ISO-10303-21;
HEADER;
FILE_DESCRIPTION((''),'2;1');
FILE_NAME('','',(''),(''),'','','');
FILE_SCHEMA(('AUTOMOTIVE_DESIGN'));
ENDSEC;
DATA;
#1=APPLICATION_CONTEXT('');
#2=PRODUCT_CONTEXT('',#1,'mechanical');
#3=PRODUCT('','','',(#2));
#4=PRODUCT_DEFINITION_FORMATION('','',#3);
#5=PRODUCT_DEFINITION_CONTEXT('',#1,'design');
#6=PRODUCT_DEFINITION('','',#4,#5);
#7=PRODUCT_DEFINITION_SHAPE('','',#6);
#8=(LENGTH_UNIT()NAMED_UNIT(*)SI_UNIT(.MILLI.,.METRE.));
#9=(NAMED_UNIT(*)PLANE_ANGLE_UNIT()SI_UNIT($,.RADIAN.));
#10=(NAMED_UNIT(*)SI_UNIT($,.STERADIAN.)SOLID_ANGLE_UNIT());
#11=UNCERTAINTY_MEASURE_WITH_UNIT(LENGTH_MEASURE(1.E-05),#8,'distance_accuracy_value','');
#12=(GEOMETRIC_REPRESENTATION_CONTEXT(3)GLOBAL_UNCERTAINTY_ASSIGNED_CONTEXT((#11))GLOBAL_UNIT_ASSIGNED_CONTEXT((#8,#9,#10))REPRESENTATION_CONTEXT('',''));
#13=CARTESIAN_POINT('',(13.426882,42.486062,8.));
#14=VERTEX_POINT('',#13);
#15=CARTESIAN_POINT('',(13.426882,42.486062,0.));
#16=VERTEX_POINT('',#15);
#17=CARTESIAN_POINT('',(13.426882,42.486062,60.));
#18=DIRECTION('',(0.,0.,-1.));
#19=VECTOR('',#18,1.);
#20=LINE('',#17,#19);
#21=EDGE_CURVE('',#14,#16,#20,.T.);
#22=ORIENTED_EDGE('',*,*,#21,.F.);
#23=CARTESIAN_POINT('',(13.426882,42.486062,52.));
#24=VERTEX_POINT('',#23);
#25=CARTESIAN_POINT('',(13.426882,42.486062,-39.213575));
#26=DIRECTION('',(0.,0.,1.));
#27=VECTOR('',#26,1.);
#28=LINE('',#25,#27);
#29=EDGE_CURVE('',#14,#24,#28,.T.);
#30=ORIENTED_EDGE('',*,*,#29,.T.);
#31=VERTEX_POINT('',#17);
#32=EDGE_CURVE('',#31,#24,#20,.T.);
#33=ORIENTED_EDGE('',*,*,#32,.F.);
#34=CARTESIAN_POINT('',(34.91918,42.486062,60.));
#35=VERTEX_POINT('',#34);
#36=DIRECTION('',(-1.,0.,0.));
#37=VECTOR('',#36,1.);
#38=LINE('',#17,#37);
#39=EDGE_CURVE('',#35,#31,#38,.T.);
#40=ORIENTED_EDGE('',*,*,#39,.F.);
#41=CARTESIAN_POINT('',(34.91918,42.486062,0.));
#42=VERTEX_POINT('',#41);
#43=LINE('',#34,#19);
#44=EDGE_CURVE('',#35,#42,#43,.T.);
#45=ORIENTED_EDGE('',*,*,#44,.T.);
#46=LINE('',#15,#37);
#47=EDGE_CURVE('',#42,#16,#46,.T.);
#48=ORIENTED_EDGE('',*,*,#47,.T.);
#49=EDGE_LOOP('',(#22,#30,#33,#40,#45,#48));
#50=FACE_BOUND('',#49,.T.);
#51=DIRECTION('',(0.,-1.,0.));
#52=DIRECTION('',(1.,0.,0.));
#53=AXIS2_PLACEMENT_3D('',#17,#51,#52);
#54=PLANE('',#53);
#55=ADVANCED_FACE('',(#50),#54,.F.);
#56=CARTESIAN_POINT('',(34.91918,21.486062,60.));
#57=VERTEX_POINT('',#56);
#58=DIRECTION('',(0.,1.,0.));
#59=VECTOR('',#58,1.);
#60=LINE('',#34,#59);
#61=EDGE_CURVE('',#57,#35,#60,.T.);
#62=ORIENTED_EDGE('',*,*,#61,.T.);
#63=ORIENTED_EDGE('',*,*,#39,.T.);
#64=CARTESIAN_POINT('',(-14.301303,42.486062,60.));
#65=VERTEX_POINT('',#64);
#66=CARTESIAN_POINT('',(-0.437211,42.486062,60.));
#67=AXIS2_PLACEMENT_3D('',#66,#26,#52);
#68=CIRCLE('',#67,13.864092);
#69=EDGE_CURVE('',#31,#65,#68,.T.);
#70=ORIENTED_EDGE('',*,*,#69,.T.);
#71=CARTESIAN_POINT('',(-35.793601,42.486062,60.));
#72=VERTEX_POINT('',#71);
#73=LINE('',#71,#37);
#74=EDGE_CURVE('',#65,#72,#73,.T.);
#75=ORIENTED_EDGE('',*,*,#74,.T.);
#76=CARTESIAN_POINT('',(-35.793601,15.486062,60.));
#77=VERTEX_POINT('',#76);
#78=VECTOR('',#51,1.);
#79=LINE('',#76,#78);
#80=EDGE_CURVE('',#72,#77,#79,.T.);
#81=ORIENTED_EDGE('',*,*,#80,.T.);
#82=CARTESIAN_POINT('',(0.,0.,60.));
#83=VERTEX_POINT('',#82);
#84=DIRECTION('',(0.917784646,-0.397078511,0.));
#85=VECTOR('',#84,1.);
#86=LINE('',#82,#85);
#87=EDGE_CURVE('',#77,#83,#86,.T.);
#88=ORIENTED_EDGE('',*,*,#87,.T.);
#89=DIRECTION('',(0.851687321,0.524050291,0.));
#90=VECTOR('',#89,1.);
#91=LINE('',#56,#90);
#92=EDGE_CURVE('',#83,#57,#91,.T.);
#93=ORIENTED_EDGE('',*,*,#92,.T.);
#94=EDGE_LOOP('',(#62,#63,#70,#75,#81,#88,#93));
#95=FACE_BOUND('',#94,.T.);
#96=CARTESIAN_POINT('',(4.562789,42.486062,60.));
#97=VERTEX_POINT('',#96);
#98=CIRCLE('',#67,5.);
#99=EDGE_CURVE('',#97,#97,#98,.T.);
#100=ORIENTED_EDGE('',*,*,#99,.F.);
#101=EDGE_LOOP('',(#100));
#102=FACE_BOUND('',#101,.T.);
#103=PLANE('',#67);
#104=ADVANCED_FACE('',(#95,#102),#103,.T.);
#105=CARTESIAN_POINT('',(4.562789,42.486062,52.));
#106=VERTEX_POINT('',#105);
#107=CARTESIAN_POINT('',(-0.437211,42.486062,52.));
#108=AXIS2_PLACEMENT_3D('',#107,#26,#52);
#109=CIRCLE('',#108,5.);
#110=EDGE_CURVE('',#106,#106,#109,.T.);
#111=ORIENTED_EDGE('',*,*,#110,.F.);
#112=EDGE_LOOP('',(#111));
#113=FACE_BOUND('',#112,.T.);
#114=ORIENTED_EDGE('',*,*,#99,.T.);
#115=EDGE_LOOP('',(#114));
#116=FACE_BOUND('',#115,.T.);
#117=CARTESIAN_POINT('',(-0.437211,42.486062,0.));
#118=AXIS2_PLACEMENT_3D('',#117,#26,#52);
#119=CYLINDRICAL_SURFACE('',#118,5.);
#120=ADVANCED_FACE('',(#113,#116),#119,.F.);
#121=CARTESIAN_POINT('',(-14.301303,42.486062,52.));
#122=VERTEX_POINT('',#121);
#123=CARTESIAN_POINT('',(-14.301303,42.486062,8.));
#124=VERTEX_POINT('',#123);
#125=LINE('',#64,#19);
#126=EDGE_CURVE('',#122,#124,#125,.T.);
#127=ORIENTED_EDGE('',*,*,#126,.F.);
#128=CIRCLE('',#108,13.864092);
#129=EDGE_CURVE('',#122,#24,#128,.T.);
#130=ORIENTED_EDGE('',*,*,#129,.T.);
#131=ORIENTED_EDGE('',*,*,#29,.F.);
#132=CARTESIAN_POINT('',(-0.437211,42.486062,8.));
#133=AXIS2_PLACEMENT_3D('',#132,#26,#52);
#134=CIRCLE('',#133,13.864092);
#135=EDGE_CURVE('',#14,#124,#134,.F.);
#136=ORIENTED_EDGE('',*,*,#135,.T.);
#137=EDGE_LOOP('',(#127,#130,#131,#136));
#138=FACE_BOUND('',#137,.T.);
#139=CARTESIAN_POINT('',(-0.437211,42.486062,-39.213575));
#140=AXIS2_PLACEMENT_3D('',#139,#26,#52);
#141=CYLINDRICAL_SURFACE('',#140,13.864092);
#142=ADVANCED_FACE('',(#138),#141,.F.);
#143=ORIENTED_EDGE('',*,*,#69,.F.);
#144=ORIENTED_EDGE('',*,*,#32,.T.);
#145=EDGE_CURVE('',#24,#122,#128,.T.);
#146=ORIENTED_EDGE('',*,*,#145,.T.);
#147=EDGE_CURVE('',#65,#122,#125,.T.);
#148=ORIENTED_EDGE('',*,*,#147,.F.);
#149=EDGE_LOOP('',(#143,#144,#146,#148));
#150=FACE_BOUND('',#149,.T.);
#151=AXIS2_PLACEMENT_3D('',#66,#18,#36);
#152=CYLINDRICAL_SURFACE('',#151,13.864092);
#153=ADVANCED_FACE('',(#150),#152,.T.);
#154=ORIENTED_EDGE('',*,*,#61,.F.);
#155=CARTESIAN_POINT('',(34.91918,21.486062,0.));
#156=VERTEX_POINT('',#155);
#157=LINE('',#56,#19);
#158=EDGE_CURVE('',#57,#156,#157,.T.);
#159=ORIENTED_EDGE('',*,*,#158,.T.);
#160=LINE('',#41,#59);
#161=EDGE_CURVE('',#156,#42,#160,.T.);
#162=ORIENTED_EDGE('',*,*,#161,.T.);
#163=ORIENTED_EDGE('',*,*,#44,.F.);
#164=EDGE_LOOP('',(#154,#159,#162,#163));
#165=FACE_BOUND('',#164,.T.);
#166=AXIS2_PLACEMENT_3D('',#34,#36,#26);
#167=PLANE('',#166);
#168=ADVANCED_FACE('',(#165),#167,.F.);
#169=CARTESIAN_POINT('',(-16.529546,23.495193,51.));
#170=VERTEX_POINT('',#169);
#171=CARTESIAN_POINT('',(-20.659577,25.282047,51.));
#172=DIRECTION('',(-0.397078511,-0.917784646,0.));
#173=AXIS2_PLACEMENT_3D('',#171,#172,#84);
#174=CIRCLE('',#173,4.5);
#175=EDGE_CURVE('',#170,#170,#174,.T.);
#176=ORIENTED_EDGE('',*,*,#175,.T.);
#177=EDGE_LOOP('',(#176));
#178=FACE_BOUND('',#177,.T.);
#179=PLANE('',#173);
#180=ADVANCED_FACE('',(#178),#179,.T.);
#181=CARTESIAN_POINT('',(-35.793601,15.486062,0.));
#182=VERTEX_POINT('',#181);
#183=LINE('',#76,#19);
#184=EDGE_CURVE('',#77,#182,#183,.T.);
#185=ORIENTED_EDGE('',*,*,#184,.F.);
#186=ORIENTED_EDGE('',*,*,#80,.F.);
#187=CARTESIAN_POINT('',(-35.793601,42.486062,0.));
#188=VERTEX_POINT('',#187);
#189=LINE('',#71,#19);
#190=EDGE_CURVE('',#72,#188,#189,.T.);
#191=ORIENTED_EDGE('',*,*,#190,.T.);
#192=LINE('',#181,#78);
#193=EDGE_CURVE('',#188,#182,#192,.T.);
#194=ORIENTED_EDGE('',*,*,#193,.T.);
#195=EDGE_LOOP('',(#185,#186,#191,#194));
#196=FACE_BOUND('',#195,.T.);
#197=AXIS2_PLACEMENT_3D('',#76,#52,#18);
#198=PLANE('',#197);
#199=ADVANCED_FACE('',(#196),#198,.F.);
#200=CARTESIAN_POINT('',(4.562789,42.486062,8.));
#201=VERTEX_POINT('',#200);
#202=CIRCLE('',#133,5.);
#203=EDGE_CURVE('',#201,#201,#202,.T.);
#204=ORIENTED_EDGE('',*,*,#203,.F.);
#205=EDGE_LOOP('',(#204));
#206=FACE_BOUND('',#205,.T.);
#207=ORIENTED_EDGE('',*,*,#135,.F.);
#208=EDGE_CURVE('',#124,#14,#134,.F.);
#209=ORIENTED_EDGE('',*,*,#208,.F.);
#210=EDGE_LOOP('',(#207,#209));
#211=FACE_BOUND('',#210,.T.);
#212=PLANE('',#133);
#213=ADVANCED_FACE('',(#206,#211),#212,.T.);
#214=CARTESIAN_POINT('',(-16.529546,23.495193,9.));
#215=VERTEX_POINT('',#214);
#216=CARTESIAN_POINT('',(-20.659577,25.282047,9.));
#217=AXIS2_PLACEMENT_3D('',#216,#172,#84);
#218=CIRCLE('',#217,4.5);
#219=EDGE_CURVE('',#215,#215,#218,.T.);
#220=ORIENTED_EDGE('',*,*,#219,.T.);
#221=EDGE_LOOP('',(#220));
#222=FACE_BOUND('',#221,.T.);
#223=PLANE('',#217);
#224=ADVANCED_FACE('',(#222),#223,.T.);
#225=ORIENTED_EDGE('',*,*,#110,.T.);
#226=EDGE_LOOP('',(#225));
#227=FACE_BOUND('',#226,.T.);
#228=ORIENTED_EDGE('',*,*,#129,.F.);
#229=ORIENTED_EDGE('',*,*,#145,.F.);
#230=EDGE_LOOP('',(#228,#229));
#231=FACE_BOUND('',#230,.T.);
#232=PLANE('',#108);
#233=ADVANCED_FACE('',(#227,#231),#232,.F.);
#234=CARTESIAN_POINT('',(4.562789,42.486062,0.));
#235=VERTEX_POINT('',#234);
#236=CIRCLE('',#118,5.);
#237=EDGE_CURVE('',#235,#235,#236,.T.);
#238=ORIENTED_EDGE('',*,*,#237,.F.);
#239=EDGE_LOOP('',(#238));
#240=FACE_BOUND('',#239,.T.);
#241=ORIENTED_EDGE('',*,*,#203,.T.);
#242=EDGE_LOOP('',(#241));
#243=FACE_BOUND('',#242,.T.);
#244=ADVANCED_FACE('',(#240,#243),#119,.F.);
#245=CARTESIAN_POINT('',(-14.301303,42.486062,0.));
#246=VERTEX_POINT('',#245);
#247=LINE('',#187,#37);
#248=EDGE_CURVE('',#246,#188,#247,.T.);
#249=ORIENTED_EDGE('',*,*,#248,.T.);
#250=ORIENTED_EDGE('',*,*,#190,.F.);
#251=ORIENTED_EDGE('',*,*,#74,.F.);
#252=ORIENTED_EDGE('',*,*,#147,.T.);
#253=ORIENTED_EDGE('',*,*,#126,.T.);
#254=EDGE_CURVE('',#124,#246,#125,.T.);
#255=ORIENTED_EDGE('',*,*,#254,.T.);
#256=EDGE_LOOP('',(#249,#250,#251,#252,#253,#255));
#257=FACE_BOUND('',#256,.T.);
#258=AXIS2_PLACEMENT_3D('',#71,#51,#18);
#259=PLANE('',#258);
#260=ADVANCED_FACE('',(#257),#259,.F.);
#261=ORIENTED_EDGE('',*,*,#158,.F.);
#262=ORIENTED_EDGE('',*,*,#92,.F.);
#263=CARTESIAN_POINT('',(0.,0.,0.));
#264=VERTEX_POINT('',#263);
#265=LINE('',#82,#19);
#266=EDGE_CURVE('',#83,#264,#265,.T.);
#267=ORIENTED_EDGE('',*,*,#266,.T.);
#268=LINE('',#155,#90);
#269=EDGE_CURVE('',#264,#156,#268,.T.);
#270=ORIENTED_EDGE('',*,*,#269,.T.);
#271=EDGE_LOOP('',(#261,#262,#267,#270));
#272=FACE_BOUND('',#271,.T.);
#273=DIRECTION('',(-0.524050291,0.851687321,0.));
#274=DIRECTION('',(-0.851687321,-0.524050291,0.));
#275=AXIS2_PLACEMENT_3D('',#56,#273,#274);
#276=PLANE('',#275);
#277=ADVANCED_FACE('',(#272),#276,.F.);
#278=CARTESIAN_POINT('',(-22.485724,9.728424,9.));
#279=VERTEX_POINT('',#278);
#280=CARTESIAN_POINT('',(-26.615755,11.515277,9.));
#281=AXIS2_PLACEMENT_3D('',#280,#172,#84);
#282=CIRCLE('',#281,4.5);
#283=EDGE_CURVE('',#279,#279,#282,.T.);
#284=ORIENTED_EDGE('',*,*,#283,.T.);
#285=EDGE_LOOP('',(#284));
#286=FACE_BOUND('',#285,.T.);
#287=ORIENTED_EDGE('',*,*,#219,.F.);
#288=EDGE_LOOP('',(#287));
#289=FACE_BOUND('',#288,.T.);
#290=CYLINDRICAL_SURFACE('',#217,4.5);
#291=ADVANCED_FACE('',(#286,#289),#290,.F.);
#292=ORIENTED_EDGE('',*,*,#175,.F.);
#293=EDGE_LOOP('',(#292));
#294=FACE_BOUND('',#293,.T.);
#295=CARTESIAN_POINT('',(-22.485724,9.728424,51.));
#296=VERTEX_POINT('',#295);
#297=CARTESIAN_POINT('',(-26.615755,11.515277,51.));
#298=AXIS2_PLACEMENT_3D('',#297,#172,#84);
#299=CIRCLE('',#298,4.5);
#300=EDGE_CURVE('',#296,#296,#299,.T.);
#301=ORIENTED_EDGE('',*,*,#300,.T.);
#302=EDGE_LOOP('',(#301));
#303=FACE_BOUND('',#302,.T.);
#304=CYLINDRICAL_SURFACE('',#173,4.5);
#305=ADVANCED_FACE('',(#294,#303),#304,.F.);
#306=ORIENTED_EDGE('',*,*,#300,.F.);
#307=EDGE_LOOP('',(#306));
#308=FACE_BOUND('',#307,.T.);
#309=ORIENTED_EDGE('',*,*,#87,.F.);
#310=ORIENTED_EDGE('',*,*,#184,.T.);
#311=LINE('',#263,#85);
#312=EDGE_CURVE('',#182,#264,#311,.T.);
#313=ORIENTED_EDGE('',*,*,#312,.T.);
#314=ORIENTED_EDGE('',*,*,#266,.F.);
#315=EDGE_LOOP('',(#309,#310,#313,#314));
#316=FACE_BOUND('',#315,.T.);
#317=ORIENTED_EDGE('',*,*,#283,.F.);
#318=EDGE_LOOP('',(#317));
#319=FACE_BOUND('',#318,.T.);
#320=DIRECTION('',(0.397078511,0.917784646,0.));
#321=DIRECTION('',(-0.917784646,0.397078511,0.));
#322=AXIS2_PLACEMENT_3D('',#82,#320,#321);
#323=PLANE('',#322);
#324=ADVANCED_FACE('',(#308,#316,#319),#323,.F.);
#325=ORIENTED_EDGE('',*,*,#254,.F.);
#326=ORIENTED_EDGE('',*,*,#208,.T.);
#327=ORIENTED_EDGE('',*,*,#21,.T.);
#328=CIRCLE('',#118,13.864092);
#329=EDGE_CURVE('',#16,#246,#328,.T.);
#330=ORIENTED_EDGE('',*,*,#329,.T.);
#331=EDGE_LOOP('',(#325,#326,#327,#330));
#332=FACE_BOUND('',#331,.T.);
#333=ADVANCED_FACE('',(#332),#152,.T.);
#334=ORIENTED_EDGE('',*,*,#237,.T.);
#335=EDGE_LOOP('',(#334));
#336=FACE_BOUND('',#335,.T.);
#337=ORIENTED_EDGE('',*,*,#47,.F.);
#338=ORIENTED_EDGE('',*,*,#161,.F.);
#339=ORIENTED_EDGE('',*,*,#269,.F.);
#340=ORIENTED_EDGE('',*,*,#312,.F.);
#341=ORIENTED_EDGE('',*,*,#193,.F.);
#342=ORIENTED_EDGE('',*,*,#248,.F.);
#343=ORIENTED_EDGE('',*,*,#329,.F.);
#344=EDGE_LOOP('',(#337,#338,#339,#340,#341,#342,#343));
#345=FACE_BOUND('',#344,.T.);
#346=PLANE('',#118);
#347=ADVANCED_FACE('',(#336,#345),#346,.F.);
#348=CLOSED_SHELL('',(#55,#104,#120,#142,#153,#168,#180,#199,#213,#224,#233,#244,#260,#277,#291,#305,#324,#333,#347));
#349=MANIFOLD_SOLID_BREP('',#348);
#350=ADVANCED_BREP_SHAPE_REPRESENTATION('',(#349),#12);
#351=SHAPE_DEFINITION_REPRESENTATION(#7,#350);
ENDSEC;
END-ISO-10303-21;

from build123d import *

# Parameters (mm, degrees)
BOSS_EXTRUDE1_DEPTH = 60
CUT_EXTRUDE1_START  = -52
SKETCH3_R           = 13.864092281
CUT_EXTRUDE1_DEPTH  = 44
SKETCH4_R           = 5
CUT_EXTRUDE2_DEPTH  = 90.75812925
SKETCH5_R           = 4.5
CUT_EXTRUDE3_DEPTH  = 15


with BuildPart() as part:
    # Sketch1 → Boss-Extrude1 (new body)
    with BuildSketch(Plane.XY):
        with BuildLine():
            Line((0, 0), (-35.793601182, 15.486061941))
            Line((-35.793601182, 15.486061941), (-35.793601182, 42.486061941))
            Line((-35.793601182, 42.486061941), (-14.301302797, 42.486061941))
            ThreePointArc((-14.301302797, 42.486061941), (-0.437210516, 56.350154222), (13.426881764, 42.486061941))
            Line((13.426881764, 42.486061941), (34.919180149, 42.486061941))
            Line((34.919180149, 42.486061941), (34.919180149, 21.486061941))
            Line((34.919180149, 21.486061941), (0, 0))
        make_face()
    extrude(amount=BOSS_EXTRUDE1_DEPTH)

    # Sketch3 → Cut-Extrude1 (cut)
    with BuildSketch(Plane.XY.offset(60).offset(CUT_EXTRUDE1_START)):
        with Locations((-0.437210516, 42.486061941)):
            Circle(SKETCH3_R)
    extrude(amount=CUT_EXTRUDE1_DEPTH, mode=Mode.SUBTRACT)

    # Sketch4 → Cut-Extrude2 (cut, through all)
    with BuildSketch(Plane.XY.offset(60)):
        with Locations((-0.437210516, 42.486061941)):
            Circle(SKETCH4_R)
    extrude(amount=-CUT_EXTRUDE2_DEPTH, mode=Mode.SUBTRACT)

    # Sketch5 → Cut-Extrude3 (cut)
    with BuildSketch(Plane(origin=(0, 0, 0), x_dir=(0.9177846456818411, -0.3970785113181741, 0), z_dir=(-0.3970785113181742, -0.9177846456818413, 0))):
        with Locations((-29, 51)):
            Circle(SKETCH5_R)
        with Locations((-29, 9)):
            Circle(SKETCH5_R)
    extrude(amount=-CUT_EXTRUDE3_DEPTH, mode=Mode.SUBTRACT)


solid = part.part
